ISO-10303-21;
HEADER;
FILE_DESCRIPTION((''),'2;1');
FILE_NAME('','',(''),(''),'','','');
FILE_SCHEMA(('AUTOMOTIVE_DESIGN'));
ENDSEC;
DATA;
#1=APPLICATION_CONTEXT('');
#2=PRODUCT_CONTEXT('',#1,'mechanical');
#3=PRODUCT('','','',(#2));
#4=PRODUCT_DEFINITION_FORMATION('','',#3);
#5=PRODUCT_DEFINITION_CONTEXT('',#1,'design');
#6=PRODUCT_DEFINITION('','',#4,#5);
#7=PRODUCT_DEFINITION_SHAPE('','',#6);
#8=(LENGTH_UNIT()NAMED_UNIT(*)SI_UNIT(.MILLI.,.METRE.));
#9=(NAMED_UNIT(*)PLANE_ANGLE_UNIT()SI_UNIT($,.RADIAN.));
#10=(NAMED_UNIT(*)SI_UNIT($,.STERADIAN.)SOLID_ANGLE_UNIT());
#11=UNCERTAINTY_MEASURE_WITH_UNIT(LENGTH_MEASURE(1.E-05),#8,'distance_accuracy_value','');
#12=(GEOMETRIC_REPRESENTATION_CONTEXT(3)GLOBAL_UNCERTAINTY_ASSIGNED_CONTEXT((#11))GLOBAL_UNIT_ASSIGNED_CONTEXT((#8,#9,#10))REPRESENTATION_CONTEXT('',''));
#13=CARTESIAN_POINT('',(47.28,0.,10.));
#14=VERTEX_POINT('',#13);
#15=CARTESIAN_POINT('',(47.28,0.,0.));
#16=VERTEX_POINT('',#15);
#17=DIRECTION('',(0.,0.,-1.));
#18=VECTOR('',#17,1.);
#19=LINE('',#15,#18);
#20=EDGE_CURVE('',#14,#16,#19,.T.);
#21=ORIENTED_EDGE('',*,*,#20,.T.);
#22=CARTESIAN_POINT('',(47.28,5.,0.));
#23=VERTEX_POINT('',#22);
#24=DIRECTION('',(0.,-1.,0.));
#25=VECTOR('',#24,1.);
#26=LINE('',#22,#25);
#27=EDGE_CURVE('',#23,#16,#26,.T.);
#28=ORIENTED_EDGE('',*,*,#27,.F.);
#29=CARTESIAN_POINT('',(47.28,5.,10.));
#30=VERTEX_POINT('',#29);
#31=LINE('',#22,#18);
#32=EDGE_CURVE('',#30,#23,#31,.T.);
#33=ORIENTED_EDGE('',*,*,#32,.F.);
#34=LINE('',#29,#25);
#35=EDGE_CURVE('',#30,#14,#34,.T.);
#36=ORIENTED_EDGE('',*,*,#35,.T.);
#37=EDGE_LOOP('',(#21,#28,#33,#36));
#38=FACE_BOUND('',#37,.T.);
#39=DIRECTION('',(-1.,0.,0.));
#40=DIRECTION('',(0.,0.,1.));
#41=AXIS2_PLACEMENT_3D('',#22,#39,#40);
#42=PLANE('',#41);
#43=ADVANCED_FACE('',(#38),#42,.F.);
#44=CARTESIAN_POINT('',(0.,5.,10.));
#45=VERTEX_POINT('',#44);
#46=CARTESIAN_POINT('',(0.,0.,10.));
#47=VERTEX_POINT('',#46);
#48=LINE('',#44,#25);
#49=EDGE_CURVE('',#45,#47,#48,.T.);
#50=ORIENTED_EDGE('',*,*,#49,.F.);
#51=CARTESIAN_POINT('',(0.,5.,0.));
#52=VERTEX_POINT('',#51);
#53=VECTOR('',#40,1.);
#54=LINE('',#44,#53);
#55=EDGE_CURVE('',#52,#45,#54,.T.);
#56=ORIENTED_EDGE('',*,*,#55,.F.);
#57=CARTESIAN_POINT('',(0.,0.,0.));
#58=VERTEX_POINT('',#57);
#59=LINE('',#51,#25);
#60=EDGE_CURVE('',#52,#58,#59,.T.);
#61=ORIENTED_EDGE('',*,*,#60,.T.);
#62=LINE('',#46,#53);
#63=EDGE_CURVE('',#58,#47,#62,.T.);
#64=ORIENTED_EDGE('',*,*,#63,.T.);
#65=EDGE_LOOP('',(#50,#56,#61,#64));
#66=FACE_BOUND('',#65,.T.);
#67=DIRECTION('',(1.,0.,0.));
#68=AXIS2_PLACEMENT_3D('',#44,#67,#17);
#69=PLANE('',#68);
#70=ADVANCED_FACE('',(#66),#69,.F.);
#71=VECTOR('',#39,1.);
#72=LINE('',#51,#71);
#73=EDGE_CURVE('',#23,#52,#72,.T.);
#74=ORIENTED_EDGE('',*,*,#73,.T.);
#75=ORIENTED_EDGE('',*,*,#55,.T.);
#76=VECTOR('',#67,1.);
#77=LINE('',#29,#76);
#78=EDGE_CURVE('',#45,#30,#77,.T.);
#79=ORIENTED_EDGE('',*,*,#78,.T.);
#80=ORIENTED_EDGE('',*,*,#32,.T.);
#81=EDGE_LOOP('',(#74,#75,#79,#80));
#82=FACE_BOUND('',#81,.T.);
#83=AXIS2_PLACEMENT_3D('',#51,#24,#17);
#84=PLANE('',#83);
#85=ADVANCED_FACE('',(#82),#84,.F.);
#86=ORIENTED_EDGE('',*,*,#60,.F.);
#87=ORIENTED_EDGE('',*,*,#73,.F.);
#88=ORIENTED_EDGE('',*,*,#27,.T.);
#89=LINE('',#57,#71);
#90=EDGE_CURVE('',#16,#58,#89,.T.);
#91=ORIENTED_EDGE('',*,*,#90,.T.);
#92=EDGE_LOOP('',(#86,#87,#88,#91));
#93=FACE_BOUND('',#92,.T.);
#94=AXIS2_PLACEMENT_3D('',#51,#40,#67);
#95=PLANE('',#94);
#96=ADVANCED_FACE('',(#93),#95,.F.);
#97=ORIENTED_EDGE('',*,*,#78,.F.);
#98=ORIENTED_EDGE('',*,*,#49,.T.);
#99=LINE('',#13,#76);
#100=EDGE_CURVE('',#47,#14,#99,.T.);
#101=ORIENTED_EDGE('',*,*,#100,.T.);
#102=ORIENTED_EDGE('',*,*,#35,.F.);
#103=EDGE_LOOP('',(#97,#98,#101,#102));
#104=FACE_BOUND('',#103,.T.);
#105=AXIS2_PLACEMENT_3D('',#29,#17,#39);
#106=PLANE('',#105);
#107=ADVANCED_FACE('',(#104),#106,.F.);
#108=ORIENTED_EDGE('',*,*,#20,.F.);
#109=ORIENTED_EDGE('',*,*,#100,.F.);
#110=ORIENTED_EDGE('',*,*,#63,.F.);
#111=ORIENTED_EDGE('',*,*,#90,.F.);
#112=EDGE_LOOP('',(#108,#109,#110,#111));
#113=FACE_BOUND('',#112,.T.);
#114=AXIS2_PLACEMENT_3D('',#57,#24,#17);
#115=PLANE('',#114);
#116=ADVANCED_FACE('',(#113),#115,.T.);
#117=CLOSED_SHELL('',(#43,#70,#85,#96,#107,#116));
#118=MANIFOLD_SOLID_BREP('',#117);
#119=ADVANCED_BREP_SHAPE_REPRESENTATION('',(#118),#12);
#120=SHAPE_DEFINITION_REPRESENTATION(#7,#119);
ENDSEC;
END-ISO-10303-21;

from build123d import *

# Parameters (mm, degrees)
SKETCH_1_W      = 47.28
SKETCH_1_H      = 10
EXTRUDE_1_DEPTH = 5


with BuildPart() as part:
    # 草图1 → 凸台-拉伸1 (new body)
    with BuildSketch(Plane(origin=(0, 0, 0), x_dir=(1, 0, 0), z_dir=(0, 1, 0))):
        with Locations((23.64, -5)):
            Rectangle(SKETCH_1_W, SKETCH_1_H)
    extrude(amount=EXTRUDE_1_DEPTH)


solid = part.part
